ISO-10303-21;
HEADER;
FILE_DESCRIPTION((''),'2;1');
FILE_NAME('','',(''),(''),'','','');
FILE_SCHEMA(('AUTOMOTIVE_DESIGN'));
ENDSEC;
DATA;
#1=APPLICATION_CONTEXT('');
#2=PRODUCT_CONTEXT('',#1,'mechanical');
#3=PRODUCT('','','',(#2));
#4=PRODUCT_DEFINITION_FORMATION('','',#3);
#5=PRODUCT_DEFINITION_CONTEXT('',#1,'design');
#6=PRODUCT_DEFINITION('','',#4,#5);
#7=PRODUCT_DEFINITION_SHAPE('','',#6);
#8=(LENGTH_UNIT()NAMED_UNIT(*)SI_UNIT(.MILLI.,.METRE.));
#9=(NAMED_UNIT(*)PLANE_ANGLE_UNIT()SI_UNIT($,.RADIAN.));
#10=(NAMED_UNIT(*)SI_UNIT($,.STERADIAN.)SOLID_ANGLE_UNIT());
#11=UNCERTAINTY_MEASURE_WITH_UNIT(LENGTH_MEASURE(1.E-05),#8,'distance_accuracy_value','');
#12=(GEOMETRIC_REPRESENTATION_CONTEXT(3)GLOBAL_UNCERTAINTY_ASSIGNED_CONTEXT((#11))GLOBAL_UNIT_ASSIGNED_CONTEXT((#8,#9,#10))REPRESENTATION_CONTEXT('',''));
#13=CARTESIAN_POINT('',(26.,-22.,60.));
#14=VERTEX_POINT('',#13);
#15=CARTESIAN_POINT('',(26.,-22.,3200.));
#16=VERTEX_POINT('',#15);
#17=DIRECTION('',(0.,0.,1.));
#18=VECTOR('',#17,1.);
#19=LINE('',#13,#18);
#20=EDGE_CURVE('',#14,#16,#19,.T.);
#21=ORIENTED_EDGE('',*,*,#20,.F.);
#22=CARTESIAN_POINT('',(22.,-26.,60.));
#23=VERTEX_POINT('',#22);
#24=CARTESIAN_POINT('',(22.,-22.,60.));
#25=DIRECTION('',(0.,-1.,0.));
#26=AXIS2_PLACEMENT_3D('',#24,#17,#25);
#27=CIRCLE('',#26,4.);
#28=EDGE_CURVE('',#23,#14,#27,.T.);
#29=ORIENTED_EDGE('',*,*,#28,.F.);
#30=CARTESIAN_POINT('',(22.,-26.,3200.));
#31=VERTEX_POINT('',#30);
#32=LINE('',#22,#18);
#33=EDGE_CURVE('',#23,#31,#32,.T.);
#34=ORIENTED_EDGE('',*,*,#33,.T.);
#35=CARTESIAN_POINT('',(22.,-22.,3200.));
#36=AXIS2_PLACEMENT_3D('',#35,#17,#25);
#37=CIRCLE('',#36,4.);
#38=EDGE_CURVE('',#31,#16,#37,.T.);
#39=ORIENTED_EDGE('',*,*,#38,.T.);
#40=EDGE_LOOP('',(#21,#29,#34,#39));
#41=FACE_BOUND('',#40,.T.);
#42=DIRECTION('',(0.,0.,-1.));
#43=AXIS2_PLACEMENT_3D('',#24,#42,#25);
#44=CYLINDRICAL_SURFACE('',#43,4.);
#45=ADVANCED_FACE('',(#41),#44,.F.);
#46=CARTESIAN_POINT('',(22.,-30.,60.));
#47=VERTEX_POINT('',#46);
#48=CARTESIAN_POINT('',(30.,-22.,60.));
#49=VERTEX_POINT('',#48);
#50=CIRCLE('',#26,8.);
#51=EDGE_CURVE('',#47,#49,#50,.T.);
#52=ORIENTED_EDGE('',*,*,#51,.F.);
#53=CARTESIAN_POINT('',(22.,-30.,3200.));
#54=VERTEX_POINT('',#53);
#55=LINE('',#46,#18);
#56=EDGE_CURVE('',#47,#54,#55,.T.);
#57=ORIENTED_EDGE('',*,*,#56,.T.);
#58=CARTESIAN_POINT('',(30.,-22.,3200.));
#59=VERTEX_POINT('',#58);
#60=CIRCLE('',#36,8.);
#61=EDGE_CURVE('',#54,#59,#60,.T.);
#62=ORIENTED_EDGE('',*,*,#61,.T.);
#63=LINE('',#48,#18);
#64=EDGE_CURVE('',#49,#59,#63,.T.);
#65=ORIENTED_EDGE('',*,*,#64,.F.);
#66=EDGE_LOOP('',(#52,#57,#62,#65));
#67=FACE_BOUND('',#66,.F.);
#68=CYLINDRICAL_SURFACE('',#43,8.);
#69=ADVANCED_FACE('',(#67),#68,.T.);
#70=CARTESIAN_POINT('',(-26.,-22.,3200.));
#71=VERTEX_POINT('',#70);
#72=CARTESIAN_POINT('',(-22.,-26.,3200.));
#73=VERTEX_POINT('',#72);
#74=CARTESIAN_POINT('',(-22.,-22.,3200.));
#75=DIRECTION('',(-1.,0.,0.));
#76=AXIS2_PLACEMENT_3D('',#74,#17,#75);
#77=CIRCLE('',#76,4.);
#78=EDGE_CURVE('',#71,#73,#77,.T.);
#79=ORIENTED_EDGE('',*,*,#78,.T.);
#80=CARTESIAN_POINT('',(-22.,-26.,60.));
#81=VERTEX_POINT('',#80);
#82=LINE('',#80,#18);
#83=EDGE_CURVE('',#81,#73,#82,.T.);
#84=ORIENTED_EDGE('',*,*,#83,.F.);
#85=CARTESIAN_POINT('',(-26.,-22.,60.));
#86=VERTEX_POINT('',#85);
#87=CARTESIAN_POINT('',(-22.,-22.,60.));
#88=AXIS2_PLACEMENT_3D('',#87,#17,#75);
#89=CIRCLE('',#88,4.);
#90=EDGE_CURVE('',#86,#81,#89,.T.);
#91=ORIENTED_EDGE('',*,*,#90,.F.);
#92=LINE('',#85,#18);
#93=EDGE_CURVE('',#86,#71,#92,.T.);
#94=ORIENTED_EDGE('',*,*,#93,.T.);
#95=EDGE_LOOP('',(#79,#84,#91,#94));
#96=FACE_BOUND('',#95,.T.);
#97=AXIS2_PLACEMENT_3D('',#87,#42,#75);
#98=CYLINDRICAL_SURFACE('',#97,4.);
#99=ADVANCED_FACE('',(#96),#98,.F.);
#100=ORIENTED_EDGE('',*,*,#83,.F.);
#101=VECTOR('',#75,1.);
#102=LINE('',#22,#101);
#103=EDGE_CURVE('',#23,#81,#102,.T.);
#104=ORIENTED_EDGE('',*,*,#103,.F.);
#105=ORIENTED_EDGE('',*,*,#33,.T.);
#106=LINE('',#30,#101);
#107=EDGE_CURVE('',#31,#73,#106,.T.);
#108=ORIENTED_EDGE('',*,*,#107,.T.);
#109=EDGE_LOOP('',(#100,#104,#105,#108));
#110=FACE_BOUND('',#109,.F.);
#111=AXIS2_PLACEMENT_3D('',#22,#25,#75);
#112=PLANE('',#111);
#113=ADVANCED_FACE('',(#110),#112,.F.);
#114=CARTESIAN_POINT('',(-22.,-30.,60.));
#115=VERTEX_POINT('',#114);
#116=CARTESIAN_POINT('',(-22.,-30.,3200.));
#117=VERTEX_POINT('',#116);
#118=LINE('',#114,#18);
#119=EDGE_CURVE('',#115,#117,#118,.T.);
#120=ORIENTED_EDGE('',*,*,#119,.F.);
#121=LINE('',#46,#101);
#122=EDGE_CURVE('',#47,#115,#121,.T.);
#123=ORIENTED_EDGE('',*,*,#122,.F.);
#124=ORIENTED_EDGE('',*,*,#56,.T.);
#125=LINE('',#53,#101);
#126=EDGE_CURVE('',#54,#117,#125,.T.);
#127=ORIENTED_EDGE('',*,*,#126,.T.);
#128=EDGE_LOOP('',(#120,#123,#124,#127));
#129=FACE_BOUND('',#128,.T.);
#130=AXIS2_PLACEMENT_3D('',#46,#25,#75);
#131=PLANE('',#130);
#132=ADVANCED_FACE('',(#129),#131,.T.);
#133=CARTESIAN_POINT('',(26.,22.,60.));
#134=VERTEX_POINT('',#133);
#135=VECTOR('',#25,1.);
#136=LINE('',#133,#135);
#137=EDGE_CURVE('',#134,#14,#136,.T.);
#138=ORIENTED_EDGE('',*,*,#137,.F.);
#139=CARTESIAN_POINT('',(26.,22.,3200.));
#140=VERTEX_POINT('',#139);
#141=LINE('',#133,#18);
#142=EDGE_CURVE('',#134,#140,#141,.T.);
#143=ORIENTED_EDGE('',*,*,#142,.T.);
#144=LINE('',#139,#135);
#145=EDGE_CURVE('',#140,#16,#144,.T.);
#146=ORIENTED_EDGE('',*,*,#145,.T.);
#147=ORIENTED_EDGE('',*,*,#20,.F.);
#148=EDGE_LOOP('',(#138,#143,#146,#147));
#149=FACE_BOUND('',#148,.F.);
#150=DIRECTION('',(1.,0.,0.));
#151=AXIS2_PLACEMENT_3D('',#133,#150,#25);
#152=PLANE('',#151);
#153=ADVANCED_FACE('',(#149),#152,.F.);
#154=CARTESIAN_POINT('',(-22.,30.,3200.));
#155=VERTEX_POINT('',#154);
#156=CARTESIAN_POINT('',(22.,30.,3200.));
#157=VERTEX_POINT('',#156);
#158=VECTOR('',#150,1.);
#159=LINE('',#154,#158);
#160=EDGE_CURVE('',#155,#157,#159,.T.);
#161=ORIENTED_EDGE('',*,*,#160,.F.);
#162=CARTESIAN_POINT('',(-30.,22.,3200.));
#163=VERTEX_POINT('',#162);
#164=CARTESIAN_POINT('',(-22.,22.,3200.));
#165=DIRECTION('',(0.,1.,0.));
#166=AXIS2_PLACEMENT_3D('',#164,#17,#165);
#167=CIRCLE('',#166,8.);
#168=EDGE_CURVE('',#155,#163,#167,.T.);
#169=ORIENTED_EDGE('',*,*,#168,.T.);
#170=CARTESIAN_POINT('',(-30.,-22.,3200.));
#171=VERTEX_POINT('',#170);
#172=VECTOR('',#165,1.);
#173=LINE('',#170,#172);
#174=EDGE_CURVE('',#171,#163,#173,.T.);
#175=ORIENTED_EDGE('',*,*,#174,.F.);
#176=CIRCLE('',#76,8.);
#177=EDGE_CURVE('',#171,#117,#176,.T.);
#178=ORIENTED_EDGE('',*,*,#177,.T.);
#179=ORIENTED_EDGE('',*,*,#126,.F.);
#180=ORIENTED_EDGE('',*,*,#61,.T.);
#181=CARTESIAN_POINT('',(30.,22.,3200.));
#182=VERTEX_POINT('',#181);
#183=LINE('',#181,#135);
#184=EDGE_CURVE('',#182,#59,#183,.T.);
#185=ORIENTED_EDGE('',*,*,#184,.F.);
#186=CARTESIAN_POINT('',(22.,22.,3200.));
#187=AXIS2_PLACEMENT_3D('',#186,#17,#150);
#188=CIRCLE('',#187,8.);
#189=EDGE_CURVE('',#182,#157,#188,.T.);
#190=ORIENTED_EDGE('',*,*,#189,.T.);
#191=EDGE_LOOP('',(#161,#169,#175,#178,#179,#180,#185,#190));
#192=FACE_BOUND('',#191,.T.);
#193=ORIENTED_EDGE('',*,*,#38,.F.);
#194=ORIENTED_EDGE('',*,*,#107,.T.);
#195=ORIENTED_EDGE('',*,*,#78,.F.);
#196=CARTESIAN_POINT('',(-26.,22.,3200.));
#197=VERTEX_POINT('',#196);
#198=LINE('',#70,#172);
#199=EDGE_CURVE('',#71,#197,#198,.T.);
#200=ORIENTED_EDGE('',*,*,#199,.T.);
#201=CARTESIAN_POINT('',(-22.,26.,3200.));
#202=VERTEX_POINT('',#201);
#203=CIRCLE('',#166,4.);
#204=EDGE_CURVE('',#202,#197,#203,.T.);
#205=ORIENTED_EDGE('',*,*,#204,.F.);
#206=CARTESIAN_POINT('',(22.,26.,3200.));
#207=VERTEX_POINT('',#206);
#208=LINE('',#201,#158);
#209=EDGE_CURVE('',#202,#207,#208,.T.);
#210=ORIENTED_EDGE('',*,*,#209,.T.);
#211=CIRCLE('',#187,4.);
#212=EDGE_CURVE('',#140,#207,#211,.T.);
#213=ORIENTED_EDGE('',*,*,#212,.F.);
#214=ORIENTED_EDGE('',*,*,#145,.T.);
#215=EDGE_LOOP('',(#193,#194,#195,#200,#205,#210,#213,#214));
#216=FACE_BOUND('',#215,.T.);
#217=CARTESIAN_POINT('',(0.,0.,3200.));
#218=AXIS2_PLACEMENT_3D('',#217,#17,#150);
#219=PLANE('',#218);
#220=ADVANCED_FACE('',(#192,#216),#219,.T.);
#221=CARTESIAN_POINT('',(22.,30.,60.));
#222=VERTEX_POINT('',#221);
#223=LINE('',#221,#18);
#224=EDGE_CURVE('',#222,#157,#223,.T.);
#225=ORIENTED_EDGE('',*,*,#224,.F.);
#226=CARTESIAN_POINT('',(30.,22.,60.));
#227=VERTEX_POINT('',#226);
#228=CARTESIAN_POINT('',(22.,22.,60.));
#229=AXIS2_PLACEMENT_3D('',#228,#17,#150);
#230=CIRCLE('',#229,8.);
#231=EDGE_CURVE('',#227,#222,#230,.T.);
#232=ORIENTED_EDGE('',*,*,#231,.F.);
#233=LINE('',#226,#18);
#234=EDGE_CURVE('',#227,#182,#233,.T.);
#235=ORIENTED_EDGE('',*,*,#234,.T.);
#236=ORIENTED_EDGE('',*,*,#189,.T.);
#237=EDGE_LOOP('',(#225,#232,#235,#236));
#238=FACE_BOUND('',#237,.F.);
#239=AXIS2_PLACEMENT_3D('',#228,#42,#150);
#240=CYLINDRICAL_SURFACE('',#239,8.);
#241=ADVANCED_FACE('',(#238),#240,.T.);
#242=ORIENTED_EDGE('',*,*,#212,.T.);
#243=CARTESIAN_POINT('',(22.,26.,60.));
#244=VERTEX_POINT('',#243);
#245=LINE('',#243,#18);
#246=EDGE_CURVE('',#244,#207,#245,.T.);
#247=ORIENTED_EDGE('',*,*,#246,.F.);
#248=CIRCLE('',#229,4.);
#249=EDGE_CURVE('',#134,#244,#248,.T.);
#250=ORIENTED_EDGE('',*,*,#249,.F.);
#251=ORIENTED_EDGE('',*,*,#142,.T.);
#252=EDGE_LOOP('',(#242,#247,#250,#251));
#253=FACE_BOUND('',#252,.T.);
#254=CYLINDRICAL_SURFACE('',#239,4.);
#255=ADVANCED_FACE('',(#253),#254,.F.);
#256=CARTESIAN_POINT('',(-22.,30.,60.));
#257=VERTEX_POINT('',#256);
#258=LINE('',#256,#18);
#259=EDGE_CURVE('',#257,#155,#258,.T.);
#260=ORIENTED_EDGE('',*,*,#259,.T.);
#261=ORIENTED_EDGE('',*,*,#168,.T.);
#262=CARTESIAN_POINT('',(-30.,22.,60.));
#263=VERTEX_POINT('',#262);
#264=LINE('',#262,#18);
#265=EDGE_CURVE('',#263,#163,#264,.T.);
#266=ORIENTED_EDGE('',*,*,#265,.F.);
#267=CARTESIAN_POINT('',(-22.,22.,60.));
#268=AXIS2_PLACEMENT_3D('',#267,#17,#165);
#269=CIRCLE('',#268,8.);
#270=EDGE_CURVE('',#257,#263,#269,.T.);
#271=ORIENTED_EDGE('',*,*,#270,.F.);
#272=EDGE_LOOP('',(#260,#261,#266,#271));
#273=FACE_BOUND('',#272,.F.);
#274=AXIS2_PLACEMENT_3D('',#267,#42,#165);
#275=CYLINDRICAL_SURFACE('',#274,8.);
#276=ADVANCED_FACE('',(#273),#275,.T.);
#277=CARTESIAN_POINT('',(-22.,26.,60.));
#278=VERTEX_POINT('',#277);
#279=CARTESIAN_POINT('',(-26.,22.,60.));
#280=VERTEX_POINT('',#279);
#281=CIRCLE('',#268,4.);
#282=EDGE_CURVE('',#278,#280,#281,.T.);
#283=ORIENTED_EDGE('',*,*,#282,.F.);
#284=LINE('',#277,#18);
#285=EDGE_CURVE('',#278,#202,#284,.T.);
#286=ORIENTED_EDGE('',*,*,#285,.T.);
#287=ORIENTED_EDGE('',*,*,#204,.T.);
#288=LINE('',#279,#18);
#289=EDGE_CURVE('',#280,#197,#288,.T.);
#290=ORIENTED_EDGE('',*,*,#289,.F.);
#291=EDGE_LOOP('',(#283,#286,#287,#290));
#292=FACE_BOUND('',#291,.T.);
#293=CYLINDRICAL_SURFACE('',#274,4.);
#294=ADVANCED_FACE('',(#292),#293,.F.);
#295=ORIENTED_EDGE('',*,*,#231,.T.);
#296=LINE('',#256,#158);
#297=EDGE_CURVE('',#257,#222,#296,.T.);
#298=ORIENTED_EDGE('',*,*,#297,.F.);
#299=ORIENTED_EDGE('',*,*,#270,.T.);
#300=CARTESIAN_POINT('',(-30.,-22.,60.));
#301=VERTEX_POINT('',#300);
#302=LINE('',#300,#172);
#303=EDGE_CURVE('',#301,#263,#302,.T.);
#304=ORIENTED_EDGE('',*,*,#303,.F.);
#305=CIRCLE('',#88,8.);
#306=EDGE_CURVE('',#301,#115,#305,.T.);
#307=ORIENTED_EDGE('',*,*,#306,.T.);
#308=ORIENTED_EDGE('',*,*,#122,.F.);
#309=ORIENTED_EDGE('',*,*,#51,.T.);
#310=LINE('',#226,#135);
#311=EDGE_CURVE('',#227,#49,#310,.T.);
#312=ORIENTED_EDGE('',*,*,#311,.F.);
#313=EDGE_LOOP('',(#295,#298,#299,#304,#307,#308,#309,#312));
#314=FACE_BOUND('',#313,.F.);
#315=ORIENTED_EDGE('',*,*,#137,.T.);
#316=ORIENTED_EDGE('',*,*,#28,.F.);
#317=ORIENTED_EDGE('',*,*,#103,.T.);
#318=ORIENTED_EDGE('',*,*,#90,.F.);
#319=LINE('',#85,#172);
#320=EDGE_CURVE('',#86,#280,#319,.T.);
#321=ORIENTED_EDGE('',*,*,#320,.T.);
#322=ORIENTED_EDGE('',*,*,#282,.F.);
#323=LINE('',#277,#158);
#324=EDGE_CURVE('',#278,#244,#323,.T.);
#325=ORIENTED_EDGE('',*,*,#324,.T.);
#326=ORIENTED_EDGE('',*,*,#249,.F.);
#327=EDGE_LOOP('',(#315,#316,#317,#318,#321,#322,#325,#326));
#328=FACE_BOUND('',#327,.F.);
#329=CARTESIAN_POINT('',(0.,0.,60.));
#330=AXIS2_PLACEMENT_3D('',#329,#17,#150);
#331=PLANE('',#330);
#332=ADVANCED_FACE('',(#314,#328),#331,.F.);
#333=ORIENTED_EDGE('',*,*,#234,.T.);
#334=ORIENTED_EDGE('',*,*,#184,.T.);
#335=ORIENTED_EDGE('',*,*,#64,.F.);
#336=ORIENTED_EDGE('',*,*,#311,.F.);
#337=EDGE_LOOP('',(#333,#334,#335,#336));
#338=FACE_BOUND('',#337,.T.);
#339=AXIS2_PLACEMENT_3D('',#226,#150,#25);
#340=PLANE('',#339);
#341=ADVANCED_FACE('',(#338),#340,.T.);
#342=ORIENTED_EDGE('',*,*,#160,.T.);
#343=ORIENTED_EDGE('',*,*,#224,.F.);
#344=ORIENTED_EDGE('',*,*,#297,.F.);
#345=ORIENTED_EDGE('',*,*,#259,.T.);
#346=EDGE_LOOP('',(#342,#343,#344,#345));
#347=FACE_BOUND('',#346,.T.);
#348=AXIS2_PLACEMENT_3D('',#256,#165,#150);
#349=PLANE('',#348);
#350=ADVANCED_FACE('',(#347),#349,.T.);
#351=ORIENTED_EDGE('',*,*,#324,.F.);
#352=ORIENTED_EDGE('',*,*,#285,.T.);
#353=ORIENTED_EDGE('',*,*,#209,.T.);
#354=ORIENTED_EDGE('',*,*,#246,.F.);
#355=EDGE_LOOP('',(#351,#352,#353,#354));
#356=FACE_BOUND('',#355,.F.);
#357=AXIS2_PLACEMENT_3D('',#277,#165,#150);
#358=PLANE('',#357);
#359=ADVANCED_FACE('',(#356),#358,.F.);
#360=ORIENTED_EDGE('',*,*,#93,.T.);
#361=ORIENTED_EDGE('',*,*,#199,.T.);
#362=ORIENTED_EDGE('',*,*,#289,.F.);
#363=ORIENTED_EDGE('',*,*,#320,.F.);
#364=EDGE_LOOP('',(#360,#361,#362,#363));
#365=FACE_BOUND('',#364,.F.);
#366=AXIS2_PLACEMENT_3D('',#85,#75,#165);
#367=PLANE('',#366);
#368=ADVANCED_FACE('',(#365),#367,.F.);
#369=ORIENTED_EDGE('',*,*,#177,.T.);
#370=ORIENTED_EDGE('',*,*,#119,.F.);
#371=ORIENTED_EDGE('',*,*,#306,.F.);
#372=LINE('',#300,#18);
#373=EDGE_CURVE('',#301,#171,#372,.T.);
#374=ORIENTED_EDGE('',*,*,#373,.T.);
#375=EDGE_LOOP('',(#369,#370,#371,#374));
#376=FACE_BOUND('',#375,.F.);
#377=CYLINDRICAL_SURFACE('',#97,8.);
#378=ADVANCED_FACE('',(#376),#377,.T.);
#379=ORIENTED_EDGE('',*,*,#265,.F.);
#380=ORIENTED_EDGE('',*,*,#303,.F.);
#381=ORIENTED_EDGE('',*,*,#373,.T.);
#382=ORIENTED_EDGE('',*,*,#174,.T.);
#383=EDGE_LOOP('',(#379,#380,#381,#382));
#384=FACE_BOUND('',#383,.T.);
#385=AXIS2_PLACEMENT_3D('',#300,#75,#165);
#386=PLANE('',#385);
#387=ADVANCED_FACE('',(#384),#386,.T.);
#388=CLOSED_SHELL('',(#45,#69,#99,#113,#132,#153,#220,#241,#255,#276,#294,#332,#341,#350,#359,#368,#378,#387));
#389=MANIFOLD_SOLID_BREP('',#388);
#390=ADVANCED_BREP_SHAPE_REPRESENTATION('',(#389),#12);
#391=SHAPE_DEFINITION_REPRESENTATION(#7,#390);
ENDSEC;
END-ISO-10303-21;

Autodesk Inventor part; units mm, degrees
ref_plane "Start Plane" through (0, 0, 60) normal (0, 0, 1) x (1, 0, 0)
ref_plane "End Plane" through (0, 0, 3200) normal (0, 0, 1) x (1, 0, 0)
sketch "Sketch" plane through (0, 0, 0) normal (0, 0, 1) x (1, 0, 0)
  line L0 (-30, -22) -> (-30, 22)
  line L1 (-22, 30) -> (22, 30)
  line L2 (30, 22) -> (30, -22)
  line L3 (22, -30) -> (-22, -30)
  arc A0 (-30, -22) -> (-22, -30) centre (-22, -22) ccw
  arc A1 (30, 22) -> (22, 30) centre (22, 22) ccw
  arc A2 (-22, 30) -> (-30, 22) centre (-22, 22) ccw
  arc A3 (22, -30) -> (30, -22) centre (22, -22) ccw
  arc A4 (-22, 26) -> (-26, 22) centre (-22, 22) ccw
  line L4 (-22, 26) -> (22, 26)
  arc A5 (26, 22) -> (22, 26) centre (22, 22) ccw
  line L5 (26, 22) -> (26, -22)
  arc A6 (22, -26) -> (26, -22) centre (22, -22) ccw
  line L6 (22, -26) -> (-22, -26)
  arc A7 (-26, -22) -> (-22, -26) centre (-22, -22) ccw
  line L7 (-26, -22) -> (-26, 22)
  line L8 (0, 44.3196) -> (0, -44.3196) construction
  line L9 (-44.3196, 0) -> (44.3196, 0) construction
  dimension "d7" = 8
  dimension "d9" = 60
  dimension "d11" = 60
  dimension "d12" = 4
  dimension "d15" = 30
  dimension "d16" = 30
extrude "Body" add sketch "Sketch" along normal up to surface (3140 mm away) from surface at 60
sketch "Sketch3" plane through (0, 0, 0) normal (0, 0, 1) x (1, 0, 0)
  line L0 (0, 0) -> (10, 0)
ref_plane "Work Plane3" through (0, 0, 0) normal (0, -1, 0) x (1, 0, 0)
ref_plane "Work Plane4" through (-22, 30, 60) normal (0, 0, -1) x (-1, 0, 0)
split "Split1" plane through (-22, 30, 60) removes the side toward (0, 0, -1)
sketch "Sketch4" plane through (0, 0, 0) normal (0, -1, 0) x (1, 0, 0)
  line L0 (-2, 60) -> (12, 60) projected
  line L1 (-2, 3200) -> (12, 3200) projected
  dimension "d18" = 3140
equation "\"d7\" = G_IR"
equation "\"d9\" = G_W"
equation "\"d11\" = G_H"
equation "\"d12\" = G_T"
equation "\"d15\" = 0.5 * d9"
equation "\"d16\" = 0.5 * d11"
equation "\"d3\" = G_L"
equation "\"G_W\" = 60"
equation "\"G_H\" = 60"
equation "\"G_T\" = 4"
equation "\"G_IR\" = 8"
equation "\"G_L\" = d18"
equation "\"G_OFFSET_END\" = 0"
properties part number "ISO 4019 - 60x60x4 - 3140" material "Steel, Mild"
